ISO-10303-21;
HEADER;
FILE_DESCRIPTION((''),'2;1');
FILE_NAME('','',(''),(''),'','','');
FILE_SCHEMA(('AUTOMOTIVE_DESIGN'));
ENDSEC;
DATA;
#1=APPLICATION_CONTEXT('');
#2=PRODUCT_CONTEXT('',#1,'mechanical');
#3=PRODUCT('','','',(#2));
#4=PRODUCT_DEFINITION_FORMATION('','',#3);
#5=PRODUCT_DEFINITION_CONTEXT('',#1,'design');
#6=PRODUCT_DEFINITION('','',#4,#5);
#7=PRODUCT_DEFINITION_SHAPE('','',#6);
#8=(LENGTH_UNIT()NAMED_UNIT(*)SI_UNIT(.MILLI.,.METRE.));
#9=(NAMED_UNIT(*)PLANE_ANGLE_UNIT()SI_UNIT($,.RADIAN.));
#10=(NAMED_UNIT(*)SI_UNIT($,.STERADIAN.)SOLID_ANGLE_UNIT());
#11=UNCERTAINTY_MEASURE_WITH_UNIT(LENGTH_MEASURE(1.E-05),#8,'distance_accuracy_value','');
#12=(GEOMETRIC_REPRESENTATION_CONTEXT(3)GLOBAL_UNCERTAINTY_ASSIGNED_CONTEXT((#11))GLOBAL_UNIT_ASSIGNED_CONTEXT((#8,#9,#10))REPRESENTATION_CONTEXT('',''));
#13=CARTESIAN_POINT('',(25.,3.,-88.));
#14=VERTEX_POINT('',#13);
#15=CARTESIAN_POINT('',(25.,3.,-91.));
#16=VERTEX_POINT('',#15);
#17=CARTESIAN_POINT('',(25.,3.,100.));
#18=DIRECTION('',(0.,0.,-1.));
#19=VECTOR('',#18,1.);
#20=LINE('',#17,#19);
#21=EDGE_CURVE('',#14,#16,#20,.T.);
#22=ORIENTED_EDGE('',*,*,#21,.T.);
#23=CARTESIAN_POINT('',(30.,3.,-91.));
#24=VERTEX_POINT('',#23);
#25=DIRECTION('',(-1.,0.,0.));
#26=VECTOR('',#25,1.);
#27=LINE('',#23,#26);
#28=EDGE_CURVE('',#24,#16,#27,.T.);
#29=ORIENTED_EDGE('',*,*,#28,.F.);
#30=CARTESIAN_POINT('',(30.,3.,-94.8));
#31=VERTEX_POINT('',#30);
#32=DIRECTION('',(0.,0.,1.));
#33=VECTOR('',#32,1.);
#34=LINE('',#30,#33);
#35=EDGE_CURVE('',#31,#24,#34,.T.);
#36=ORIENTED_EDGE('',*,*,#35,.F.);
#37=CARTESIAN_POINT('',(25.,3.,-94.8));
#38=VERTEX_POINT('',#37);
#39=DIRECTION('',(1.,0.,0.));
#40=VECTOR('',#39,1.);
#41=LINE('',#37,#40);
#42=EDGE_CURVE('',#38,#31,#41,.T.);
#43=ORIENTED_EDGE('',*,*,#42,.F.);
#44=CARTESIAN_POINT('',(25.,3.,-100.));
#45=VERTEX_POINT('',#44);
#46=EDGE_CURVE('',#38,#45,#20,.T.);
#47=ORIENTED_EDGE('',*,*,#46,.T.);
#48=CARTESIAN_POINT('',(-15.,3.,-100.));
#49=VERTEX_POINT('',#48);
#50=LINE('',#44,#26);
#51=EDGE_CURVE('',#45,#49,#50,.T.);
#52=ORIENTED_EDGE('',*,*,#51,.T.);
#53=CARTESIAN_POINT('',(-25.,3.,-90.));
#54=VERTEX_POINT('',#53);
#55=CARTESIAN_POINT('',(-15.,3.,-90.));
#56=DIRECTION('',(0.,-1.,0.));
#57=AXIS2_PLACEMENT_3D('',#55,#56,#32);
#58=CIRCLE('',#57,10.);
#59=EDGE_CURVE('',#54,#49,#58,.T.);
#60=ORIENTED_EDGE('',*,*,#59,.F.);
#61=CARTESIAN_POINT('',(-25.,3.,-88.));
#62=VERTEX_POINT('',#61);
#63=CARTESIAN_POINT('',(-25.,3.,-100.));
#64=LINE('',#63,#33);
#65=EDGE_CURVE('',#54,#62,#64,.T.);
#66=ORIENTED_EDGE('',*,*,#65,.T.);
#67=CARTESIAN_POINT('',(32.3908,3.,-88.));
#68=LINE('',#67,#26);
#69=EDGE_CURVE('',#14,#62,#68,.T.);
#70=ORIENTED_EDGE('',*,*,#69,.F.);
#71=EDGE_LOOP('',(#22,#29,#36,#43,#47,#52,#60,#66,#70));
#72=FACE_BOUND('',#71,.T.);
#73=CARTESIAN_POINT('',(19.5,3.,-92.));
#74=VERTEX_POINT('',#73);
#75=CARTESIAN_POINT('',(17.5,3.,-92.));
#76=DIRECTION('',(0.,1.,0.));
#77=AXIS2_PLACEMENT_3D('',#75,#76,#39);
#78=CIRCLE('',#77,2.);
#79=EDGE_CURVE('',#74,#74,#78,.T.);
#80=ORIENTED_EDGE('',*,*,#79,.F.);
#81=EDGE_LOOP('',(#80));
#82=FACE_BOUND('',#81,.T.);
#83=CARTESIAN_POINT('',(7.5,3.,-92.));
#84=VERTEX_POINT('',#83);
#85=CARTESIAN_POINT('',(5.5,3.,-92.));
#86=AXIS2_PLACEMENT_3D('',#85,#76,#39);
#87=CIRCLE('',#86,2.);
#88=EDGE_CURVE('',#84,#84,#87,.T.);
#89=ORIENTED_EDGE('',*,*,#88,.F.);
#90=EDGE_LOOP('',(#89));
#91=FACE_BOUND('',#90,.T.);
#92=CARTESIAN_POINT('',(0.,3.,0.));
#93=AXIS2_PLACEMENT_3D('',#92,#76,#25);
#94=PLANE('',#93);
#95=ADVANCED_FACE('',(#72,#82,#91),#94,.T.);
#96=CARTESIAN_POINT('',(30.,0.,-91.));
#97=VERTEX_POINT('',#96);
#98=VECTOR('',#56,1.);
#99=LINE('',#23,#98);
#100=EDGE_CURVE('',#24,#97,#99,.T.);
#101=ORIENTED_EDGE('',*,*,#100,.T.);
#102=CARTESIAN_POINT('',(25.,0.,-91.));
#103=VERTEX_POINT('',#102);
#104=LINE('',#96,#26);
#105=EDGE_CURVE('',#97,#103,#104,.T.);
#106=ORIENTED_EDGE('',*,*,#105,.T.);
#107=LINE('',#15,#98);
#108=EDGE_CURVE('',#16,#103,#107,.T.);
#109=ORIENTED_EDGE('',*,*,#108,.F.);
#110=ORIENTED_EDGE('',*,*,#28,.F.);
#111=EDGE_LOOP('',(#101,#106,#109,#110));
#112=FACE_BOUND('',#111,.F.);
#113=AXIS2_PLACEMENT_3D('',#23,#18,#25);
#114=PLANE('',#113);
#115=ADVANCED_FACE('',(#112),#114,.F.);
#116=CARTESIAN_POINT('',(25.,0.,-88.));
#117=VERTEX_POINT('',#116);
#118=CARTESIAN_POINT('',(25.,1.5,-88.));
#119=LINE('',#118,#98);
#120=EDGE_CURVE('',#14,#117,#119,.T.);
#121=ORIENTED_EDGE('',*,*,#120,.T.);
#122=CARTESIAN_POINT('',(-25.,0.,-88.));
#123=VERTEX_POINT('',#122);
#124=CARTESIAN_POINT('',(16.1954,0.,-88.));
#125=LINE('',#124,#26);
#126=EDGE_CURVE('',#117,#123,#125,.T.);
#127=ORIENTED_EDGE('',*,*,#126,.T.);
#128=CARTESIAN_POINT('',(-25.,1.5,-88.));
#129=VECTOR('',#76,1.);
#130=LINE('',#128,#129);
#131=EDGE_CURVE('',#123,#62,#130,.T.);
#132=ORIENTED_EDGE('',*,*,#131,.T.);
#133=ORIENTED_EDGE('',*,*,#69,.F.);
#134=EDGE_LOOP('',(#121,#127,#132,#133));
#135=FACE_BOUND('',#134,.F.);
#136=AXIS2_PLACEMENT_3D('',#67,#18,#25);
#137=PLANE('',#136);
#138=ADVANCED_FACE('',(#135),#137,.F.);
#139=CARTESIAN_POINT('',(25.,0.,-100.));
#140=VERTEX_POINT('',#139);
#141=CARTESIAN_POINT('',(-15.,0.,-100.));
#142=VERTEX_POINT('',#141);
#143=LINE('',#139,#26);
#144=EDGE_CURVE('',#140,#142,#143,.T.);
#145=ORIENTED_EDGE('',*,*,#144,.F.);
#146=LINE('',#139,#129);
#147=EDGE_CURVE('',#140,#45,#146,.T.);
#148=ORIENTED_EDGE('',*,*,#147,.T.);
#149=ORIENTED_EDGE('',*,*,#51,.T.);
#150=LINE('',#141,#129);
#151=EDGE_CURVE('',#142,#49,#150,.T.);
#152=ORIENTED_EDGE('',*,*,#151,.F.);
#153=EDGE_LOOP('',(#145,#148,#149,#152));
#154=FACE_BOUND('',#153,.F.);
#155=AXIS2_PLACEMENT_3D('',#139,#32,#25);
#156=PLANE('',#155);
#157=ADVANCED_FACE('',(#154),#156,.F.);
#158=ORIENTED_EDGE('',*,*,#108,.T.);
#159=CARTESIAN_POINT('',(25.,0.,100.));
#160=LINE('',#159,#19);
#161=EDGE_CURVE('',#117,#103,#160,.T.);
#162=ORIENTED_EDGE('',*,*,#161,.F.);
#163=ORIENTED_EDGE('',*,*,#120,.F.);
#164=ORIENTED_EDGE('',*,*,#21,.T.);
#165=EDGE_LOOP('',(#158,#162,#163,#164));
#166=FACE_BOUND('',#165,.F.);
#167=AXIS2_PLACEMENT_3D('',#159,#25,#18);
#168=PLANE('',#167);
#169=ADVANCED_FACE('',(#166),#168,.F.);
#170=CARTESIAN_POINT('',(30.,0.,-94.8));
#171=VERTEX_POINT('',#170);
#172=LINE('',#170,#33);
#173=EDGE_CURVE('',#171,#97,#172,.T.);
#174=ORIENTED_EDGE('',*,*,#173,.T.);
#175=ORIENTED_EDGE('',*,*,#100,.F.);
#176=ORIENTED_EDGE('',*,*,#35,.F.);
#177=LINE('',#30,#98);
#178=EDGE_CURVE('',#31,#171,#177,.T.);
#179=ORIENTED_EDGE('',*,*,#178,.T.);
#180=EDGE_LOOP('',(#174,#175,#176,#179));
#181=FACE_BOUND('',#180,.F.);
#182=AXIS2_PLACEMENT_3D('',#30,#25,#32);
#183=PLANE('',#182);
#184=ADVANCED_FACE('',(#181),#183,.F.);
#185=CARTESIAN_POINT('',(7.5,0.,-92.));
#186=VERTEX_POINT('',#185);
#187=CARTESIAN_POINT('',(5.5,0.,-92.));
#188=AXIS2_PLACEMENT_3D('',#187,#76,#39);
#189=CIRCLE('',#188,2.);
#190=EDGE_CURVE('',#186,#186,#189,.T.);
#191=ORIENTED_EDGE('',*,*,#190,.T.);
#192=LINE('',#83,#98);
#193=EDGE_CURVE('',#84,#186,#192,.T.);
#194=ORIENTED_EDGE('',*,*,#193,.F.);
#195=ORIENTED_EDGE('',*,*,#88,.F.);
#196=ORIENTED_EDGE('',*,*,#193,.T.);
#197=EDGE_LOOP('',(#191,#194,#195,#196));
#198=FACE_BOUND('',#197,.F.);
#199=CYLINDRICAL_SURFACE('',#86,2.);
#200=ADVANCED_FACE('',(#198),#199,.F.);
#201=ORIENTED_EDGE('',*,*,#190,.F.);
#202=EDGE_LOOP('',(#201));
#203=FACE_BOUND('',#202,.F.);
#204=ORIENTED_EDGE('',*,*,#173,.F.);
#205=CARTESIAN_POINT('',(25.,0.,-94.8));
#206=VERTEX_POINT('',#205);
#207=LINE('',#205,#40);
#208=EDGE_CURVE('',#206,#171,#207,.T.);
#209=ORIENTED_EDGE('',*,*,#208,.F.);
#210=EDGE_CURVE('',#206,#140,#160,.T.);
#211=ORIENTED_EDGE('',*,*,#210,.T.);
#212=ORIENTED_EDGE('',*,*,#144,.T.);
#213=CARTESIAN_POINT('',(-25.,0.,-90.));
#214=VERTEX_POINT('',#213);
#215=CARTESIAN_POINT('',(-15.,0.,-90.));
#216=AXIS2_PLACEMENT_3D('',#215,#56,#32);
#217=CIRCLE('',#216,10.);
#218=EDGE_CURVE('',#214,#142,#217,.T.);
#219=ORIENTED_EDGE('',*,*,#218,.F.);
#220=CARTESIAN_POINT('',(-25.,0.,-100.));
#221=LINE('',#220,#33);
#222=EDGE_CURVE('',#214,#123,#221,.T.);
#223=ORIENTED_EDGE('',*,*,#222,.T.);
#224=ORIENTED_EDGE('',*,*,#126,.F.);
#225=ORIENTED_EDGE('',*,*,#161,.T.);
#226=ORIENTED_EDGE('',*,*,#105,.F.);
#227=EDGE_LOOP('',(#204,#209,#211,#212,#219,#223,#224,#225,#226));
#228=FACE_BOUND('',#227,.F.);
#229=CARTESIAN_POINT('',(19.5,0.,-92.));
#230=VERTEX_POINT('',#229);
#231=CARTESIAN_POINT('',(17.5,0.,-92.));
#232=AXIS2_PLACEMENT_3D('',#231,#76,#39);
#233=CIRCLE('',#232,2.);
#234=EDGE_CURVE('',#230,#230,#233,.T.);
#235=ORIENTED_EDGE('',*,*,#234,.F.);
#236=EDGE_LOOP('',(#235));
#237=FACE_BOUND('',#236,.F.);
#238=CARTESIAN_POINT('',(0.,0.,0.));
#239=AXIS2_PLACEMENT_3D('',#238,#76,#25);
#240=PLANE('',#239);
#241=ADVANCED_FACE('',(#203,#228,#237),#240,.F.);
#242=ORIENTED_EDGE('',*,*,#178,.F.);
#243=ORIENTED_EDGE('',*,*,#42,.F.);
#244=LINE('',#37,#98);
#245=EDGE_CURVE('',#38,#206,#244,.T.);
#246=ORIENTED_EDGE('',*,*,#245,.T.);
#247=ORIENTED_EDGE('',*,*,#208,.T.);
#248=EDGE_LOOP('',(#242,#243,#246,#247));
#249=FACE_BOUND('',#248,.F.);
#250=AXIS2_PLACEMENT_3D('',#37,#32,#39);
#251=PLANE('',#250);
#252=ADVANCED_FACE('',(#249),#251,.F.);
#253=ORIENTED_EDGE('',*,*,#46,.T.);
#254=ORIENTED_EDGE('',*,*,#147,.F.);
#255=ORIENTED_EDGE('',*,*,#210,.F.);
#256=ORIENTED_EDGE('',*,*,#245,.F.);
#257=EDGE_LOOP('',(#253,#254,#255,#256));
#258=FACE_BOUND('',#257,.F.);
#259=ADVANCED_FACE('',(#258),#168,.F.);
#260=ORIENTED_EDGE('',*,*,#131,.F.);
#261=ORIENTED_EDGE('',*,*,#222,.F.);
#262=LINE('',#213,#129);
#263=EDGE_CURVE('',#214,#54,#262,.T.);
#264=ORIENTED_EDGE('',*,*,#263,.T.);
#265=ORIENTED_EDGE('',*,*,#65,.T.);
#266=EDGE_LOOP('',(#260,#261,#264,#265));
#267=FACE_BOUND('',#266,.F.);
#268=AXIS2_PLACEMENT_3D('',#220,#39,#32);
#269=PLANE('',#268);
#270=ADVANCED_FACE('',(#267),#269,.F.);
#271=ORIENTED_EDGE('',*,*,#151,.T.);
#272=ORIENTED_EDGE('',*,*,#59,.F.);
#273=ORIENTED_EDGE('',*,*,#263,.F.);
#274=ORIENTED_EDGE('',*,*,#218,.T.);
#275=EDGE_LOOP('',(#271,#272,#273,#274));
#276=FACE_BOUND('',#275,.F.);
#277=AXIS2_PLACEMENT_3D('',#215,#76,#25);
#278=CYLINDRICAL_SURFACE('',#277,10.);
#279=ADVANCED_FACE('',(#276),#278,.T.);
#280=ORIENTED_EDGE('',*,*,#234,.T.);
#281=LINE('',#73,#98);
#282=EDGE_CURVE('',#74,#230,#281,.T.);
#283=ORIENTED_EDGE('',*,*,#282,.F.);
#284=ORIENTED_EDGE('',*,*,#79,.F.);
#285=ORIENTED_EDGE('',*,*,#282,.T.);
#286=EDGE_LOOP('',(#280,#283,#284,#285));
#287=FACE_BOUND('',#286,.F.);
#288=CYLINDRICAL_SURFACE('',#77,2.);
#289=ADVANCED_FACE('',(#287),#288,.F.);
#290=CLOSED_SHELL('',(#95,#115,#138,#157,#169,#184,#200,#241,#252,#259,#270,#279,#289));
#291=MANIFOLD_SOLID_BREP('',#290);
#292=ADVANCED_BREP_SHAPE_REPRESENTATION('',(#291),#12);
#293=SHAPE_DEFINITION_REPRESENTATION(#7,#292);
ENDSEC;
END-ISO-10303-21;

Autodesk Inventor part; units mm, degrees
ref_plane "YZ Plane" through (0, 0, 0) normal (1, 0, 0) x (0, 1, 0)
ref_plane "XZ Plane" through (0, 0, 0) normal (0, 1, 0) x (-1, 0, 0)
ref_plane "XY Plane" through (0, 0, 0) normal (0, 0, 1) x (1, 0, 0)
sketch "Sketch1" plane through (0, 0, 0) normal (0, 1, 0) x (-1, 0, 0)
  line L0 (25, 100) -> (-25, 100)
  line L1 (-25, 100) -> (-25, -100)
  line L2 (-25, -100) -> (25, -100)
  line L3 (25, -100) -> (25, 100)
  line L4 (25, 100) -> (-25, -100) construction
  line L5 (-25, 100) -> (25, -100) construction
  point P0 (0, 0)
  dimension "d0" = 200
  dimension "d1" = 50
extrude "Extrusion1" add sketch "Sketch1" along normal blind 3
sketch "Sketch2" plane through (0, 3, 0) normal (0, 1, 0) x (1, 0, 0)
  line L0 (0, 0) -> (25, 0) construction
  line L1 (25, -100) -> (25, 100) projected
  line L2 (25, -92) -> (-15.0756, -92) construction
  circle A0 centre (17.5, -92) radius 2
  circle A1 centre (5.5, -92) radius 2
  line L3 (-25, -100) -> (25, -100) projected
  circle A2 centre (17.5, 92) radius 2
  circle A3 centre (5.5, 92) radius 2
  dimension "d4" = 4
  dimension "d5" = 4
  dimension "d6" = 12
  dimension "d7" = 8
  dimension "d10" = 7.5
extrude "Extrusion2" cut sketch "Sketch2" against normal blind 5
sketch "Sketch3" plane through (0, 3, 0) normal (0, 1, 0) x (1, 0, 0)
  line L0 (19, -85) -> (31, -85)
  line L1 (31, -85) -> (31, 85)
  line L2 (31, 85) -> (19, 85)
  line L3 (19, 85) -> (19, -85)
  line L4 (25, -100) -> (25, 100) projected
  line L5 (19, -85) -> (31, 85) construction
  line L6 (31, -85) -> (19, 85) construction
  point P0 (0, 0)
  point P1 (25, 0)
  dimension "d11" = 170
  dimension "d12" = 12
extrude "Extrusion3" add sketch "Sketch3" against normal blind 3
sketch "Sketch4" plane through (0, 3, 0) normal (0, 1, 0) x (1, 0, 0)
  line L0 (25, -100) -> (25, 100) projected
  line L1 (31, 85) -> (25, 85) projected
  circle A0 centre (26, -75) radius 2
  line L2 (25, -85) -> (31, -85) projected
  line L3 (31, -85) -> (31, 85) projected
  point P0 (0, 0)
  dimension "d15" = 4
  dimension "d16" = 10
  dimension "d17" = 5
extrude "Extrusion4" cut sketch "Sketch4" against normal blind 5 contours A0 L0 | L0 A0
pattern_linear "Rectangular Pattern1" count 6 spacing 30 along (0, 0, -1) of "Extrusion4"
fillet "Fillet1" radius 10 2 edges at (-25, 1.5, -100) (-25, 1.5, 100)
sketch "Sketch5" plane through (0, 3, 0) normal (0, 1, 0) x (1, 0, 0)
  line L0 (31, 85) -> (25, 85) projected
  line L1 (32.3908, 88) -> (-29, 88)
  line L2 (-29, 88) -> (-29, -105)
  line L3 (-29, -105) -> (32.3908, -105)
  line L4 (32.3908, -105) -> (32.3908, 84.997)
  line L5 (32.3908, 84.997) -> (32.3908, 88)
  line L6 (25, 100) -> (-15, 100) projected
  point P0 (0, 0)
  dimension "d31" = 12
extrude "Extrusion5" cut sketch "Sketch5" against normal blind 10
sketch "Sketch6" plane through (0, 3, 0) normal (0, 1, 0) x (1, 0, 0)
  line L0 (25, 94.8) -> (30, 94.8)
  line L1 (30, 94.8) -> (30, 91)
  line L2 (30, 91) -> (25, 91)
  line L3 (25, 91) -> (25, 94.8)
  line L4 (25, 100) -> (-15, 100) projected
  point P0 (0, 0)
  dimension "d26" = 5.2
  dimension "d27" = 5
  dimension "d28" = 3.8
extrude "Extrusion6" add sketch "Sketch6" against normal blind 3
properties part number "Comb4"
